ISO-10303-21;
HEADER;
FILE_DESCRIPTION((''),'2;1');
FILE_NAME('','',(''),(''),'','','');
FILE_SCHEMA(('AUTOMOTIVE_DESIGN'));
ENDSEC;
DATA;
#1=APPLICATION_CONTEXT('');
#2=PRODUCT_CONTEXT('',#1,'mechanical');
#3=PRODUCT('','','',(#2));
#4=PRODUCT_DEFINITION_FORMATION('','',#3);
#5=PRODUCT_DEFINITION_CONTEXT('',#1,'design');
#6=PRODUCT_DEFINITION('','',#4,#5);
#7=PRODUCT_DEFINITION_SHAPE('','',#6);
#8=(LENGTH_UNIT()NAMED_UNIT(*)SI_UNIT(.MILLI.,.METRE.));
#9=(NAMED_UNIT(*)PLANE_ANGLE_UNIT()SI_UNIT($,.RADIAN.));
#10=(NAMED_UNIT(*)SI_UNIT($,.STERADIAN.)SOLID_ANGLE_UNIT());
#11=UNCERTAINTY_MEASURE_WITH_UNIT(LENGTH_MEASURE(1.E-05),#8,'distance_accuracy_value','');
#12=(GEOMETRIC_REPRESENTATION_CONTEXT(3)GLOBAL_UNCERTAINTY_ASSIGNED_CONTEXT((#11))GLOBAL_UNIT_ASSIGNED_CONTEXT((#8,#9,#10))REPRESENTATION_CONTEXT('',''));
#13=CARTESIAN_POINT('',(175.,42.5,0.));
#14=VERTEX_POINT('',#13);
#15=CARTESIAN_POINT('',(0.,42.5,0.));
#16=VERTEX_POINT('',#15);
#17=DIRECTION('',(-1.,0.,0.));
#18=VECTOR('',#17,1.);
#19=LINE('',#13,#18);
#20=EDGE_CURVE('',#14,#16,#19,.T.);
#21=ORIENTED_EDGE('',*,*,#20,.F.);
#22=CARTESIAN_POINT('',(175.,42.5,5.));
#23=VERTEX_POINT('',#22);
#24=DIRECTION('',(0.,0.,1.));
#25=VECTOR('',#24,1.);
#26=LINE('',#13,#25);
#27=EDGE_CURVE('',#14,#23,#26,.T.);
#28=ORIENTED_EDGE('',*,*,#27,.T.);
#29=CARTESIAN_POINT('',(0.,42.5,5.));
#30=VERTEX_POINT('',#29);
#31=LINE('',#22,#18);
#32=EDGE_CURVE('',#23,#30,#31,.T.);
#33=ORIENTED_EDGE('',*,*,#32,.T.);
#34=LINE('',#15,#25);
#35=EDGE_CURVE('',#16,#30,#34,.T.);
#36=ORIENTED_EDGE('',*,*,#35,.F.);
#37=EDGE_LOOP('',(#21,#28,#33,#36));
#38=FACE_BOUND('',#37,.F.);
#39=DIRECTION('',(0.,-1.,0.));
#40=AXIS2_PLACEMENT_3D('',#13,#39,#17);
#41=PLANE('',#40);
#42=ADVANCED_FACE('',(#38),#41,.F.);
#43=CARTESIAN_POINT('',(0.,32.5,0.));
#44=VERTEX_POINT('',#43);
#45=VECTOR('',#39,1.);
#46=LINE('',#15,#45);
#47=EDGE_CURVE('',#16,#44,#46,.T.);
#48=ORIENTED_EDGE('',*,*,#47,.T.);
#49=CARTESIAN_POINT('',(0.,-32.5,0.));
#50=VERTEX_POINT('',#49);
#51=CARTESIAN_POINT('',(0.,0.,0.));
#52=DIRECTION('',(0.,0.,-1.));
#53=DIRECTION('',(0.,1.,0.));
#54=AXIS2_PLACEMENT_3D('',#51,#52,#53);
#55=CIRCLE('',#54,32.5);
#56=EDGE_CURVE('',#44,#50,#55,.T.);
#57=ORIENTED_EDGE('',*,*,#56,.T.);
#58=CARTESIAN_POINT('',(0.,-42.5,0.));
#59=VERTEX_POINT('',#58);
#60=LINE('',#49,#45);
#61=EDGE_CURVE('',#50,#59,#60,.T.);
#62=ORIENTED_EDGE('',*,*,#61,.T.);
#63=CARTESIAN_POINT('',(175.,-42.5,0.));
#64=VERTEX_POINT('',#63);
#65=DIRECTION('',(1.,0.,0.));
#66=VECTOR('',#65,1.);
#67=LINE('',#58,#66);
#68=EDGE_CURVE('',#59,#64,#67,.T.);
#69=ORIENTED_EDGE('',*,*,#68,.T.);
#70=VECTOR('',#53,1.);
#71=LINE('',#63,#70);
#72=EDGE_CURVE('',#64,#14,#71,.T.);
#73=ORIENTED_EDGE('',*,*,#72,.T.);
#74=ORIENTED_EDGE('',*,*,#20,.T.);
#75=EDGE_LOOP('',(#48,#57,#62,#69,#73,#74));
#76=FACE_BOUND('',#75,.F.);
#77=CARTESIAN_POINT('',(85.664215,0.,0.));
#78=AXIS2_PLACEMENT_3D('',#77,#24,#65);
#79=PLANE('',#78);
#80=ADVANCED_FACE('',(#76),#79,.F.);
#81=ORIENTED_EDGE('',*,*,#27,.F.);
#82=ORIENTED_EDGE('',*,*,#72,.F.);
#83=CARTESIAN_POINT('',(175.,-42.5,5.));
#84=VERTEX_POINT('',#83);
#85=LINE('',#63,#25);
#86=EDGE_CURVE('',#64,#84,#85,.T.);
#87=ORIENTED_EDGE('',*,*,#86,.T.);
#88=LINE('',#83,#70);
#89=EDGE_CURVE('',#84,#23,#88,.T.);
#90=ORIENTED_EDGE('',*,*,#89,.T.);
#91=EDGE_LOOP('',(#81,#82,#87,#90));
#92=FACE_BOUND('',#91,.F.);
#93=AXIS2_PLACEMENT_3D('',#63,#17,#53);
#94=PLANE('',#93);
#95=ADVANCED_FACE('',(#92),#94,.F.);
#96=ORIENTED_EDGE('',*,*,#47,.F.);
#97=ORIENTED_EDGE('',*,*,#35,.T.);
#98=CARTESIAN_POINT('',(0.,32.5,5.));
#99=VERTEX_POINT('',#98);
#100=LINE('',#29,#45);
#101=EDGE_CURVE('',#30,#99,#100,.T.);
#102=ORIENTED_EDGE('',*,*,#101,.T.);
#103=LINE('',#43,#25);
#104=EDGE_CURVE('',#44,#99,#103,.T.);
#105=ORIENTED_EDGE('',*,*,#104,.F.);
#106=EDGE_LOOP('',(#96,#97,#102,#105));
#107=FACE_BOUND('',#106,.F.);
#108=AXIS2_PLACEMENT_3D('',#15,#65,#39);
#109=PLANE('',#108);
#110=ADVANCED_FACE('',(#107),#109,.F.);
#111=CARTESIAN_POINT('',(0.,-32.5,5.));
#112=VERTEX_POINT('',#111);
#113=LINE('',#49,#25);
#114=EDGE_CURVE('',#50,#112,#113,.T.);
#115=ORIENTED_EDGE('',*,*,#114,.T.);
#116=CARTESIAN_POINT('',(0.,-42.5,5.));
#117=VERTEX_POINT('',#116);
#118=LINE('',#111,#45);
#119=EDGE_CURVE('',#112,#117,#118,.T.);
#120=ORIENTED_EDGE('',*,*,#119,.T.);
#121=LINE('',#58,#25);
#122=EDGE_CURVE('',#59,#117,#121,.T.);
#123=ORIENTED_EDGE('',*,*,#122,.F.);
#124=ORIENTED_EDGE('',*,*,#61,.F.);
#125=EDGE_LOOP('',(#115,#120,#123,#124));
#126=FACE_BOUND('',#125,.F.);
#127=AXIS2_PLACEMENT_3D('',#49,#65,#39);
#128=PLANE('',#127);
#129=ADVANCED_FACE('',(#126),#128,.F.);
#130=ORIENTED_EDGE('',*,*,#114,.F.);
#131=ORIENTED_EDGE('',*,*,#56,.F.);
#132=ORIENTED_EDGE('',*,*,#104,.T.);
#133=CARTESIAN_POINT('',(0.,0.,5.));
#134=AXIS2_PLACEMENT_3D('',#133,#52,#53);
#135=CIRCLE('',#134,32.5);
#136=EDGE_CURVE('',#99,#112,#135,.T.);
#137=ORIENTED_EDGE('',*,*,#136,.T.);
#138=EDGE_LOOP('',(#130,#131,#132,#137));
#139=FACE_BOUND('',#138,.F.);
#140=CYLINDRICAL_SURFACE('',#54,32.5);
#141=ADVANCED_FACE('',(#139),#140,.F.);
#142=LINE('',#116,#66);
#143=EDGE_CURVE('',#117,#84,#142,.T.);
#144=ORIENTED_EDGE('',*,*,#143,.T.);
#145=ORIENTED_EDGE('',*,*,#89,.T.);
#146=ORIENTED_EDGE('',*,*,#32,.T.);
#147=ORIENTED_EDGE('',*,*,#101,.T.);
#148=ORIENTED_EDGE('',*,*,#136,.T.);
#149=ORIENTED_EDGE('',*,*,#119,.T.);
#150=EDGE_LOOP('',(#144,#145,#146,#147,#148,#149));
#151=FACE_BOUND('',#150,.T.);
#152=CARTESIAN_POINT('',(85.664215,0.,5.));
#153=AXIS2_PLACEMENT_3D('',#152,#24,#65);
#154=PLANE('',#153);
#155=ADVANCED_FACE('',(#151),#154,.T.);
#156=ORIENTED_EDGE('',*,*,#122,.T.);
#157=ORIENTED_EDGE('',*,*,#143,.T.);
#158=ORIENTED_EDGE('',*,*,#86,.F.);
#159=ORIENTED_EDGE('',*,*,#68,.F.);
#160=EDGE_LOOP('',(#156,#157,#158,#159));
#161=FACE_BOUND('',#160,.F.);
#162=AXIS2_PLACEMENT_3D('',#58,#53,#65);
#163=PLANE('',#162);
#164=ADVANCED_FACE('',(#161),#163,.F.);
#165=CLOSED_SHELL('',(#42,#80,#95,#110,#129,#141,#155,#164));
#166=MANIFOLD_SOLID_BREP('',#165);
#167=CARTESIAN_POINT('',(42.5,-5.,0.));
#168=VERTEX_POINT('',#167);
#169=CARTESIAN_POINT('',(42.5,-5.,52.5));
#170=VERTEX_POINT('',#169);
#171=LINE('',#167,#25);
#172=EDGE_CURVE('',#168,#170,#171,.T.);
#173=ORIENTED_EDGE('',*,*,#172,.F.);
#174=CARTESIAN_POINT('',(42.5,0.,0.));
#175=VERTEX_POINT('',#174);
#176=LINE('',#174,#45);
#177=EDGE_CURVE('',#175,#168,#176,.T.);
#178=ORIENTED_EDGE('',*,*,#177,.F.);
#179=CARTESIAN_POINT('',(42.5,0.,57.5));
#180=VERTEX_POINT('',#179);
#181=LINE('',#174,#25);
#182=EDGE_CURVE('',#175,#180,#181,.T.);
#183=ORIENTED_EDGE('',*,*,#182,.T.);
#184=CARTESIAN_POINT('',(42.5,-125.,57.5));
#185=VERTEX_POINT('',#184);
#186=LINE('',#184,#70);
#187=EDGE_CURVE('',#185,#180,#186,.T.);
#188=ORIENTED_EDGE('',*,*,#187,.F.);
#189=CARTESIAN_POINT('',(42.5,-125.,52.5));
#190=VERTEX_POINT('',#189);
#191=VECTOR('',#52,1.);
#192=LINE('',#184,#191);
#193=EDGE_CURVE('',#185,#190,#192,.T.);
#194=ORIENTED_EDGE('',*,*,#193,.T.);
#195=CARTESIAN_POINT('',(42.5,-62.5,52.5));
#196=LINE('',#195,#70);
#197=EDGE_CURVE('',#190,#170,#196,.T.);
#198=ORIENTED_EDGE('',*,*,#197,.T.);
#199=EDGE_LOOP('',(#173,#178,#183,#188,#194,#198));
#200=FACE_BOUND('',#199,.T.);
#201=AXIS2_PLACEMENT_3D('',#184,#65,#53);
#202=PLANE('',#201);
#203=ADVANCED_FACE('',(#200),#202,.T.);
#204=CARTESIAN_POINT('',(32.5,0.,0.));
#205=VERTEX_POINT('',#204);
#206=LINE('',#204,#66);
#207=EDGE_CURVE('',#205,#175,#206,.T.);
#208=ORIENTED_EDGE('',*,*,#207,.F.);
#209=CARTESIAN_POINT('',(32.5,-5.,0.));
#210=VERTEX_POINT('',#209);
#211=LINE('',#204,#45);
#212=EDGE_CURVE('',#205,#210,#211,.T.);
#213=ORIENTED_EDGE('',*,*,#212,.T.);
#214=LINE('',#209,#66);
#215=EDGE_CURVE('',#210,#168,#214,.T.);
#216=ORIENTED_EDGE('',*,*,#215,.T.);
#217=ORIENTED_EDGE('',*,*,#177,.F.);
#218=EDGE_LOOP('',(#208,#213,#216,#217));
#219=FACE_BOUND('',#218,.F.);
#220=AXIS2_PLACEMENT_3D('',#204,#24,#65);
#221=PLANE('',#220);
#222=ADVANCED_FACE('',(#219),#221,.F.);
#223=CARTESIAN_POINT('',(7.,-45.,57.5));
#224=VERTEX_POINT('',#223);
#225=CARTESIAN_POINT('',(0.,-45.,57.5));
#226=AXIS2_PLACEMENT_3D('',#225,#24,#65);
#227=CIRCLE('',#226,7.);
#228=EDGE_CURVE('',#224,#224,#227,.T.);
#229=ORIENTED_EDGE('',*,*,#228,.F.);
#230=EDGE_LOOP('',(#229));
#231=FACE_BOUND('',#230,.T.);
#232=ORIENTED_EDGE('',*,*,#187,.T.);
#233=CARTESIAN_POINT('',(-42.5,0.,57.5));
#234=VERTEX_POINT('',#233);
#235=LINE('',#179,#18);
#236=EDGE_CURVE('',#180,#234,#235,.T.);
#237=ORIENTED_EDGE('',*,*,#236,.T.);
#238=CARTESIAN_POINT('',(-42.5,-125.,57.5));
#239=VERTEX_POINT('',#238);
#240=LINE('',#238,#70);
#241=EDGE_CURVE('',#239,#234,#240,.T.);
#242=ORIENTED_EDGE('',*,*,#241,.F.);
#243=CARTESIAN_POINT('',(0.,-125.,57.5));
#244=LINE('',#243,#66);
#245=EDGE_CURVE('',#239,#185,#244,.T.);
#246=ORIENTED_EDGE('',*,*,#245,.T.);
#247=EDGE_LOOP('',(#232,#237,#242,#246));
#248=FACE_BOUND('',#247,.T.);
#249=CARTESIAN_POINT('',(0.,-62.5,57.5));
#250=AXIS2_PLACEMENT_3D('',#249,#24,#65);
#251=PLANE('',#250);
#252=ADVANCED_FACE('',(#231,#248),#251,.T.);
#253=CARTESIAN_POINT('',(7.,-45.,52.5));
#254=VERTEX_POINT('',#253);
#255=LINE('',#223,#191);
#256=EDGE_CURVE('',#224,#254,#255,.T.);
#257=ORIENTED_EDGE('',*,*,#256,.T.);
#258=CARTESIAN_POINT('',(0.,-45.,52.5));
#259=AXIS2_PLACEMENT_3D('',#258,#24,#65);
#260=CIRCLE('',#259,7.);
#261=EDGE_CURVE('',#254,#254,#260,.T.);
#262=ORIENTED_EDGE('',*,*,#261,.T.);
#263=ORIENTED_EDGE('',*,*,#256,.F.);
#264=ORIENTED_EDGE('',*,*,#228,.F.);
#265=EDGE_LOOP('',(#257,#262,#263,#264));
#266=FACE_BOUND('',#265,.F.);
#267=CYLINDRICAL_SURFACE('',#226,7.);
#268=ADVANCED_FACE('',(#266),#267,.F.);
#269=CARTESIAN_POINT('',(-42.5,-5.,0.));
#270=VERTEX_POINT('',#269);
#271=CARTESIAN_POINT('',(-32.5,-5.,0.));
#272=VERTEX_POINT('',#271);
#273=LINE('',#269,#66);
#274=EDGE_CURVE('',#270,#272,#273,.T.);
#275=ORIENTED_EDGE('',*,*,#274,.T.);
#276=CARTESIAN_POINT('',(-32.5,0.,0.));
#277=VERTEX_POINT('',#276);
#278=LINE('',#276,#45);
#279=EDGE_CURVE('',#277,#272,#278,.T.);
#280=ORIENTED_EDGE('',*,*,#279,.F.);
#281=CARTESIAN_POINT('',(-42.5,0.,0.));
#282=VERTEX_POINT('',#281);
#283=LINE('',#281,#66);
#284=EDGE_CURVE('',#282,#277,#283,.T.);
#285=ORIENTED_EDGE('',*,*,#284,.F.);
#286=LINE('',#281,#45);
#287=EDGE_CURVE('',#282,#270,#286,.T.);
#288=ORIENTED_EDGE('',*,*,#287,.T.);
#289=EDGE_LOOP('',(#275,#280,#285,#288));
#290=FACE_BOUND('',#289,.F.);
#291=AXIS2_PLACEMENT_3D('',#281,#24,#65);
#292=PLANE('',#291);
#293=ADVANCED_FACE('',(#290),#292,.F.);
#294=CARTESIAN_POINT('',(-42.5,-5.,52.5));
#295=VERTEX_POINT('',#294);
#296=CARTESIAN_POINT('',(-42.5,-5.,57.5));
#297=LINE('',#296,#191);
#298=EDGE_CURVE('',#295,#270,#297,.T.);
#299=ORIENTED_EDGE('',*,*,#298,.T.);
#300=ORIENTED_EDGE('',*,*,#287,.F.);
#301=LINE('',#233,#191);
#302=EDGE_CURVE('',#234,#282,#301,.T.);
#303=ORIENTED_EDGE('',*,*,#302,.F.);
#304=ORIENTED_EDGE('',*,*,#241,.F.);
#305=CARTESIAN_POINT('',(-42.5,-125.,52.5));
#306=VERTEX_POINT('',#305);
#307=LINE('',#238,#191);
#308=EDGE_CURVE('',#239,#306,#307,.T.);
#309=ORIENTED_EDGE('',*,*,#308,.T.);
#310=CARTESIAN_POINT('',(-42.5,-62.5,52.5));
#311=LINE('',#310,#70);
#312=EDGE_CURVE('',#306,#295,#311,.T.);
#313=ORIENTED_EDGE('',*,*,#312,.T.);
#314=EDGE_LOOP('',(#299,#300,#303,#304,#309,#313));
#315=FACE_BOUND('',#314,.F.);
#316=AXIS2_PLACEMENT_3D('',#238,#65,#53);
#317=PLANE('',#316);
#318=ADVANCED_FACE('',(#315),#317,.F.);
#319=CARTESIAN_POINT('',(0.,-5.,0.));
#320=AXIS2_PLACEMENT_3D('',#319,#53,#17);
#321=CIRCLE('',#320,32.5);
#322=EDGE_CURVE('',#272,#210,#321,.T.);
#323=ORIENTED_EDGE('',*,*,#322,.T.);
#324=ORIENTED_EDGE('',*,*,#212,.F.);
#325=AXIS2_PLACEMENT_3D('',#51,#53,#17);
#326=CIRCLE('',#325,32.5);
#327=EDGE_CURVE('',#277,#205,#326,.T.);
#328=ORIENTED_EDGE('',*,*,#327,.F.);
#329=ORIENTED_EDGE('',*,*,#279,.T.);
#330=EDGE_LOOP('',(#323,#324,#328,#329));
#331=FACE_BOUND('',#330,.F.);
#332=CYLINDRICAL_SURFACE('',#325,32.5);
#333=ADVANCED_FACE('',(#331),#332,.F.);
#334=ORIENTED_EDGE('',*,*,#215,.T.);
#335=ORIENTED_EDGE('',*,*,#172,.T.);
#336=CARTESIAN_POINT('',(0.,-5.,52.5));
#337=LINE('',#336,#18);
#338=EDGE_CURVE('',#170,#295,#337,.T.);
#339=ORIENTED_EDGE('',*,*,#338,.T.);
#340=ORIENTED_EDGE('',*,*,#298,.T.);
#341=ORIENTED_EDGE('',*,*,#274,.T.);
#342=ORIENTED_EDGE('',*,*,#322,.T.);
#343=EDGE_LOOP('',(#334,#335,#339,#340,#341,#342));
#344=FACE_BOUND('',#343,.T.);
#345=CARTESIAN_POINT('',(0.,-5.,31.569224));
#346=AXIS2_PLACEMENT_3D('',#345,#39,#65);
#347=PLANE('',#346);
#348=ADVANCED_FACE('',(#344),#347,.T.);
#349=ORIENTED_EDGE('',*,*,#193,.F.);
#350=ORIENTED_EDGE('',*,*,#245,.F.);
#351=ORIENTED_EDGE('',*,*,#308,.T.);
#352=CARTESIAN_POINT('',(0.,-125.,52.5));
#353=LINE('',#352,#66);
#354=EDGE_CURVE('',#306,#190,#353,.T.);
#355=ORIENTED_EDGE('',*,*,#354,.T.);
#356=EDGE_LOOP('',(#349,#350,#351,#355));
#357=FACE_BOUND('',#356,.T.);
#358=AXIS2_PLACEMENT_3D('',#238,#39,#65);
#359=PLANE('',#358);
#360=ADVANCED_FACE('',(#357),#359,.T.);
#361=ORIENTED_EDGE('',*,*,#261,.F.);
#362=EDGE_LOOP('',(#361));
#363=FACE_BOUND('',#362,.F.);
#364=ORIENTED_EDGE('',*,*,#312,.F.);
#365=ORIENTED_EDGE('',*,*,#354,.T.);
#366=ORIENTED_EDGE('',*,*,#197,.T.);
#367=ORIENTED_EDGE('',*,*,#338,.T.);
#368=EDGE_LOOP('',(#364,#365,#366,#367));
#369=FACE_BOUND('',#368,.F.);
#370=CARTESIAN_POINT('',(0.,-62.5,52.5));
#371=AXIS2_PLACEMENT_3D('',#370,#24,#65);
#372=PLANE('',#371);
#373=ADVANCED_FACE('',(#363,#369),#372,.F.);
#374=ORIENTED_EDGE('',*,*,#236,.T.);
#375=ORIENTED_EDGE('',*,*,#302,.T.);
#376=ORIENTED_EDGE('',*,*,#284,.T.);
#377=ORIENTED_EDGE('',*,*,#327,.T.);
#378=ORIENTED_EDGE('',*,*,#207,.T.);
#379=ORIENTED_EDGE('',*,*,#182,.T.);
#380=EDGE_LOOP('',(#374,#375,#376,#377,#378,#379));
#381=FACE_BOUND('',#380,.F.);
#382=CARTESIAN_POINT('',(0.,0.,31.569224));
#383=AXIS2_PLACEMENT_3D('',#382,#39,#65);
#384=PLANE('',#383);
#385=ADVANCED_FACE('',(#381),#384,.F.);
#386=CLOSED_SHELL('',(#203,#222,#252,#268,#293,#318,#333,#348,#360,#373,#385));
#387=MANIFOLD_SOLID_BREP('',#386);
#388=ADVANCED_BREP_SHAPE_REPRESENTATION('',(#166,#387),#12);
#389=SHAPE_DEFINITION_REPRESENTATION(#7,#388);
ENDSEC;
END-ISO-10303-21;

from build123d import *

# Parameters (mm, degrees)
F1_DEPTH = 5
F2_W     = 85
F2_H     = 125
F2_R     = 7
F3_DEPTH = 5
F5_DEPTH = 5


with BuildPart() as f1:
    # F0 (on Front) → F1 (new body)
    with BuildSketch(Plane.XZ):
        with BuildLine():
            ThreePointArc((-32.5, 0), (0, 32.5), (32.5, 0))
            Line((32.5, 0), (42.5, 0))
            Line((42.5, 0), (42.5, 57.5))
            Line((42.5, 57.5), (-42.5, 57.5))
            Line((-42.5, 57.5), (-42.5, 0))
            Line((-42.5, 0), (-32.5, 0))
        make_face()
    extrude(amount=F1_DEPTH)

    # F2 (on face) → F3 (join)
    with BuildSketch(Plane.XY.offset(57.5)):
        with Locations((0, -62.5)):
            Rectangle(F2_W, F2_H)
        with Locations((0, -45)):
            Circle(F2_R, mode=Mode.SUBTRACT)
    extrude(amount=-F3_DEPTH)


with BuildPart() as f5:
    # F4 (on Top) → F5 (new body)
    with BuildSketch(Plane.XY):
        with BuildLine():
            ThreePointArc((0, 32.5), (32.5, 0), (0, -32.5))
            Line((0, -32.5), (0, -42.5))
            Line((0, -42.5), (175, -42.5))
            Line((175, -42.5), (175, 42.5))
            Line((175, 42.5), (0, 42.5))
            Line((0, 42.5), (0, 32.5))
        make_face()
    extrude(amount=F5_DEPTH)


solid = Compound([f1.part, f5.part])
